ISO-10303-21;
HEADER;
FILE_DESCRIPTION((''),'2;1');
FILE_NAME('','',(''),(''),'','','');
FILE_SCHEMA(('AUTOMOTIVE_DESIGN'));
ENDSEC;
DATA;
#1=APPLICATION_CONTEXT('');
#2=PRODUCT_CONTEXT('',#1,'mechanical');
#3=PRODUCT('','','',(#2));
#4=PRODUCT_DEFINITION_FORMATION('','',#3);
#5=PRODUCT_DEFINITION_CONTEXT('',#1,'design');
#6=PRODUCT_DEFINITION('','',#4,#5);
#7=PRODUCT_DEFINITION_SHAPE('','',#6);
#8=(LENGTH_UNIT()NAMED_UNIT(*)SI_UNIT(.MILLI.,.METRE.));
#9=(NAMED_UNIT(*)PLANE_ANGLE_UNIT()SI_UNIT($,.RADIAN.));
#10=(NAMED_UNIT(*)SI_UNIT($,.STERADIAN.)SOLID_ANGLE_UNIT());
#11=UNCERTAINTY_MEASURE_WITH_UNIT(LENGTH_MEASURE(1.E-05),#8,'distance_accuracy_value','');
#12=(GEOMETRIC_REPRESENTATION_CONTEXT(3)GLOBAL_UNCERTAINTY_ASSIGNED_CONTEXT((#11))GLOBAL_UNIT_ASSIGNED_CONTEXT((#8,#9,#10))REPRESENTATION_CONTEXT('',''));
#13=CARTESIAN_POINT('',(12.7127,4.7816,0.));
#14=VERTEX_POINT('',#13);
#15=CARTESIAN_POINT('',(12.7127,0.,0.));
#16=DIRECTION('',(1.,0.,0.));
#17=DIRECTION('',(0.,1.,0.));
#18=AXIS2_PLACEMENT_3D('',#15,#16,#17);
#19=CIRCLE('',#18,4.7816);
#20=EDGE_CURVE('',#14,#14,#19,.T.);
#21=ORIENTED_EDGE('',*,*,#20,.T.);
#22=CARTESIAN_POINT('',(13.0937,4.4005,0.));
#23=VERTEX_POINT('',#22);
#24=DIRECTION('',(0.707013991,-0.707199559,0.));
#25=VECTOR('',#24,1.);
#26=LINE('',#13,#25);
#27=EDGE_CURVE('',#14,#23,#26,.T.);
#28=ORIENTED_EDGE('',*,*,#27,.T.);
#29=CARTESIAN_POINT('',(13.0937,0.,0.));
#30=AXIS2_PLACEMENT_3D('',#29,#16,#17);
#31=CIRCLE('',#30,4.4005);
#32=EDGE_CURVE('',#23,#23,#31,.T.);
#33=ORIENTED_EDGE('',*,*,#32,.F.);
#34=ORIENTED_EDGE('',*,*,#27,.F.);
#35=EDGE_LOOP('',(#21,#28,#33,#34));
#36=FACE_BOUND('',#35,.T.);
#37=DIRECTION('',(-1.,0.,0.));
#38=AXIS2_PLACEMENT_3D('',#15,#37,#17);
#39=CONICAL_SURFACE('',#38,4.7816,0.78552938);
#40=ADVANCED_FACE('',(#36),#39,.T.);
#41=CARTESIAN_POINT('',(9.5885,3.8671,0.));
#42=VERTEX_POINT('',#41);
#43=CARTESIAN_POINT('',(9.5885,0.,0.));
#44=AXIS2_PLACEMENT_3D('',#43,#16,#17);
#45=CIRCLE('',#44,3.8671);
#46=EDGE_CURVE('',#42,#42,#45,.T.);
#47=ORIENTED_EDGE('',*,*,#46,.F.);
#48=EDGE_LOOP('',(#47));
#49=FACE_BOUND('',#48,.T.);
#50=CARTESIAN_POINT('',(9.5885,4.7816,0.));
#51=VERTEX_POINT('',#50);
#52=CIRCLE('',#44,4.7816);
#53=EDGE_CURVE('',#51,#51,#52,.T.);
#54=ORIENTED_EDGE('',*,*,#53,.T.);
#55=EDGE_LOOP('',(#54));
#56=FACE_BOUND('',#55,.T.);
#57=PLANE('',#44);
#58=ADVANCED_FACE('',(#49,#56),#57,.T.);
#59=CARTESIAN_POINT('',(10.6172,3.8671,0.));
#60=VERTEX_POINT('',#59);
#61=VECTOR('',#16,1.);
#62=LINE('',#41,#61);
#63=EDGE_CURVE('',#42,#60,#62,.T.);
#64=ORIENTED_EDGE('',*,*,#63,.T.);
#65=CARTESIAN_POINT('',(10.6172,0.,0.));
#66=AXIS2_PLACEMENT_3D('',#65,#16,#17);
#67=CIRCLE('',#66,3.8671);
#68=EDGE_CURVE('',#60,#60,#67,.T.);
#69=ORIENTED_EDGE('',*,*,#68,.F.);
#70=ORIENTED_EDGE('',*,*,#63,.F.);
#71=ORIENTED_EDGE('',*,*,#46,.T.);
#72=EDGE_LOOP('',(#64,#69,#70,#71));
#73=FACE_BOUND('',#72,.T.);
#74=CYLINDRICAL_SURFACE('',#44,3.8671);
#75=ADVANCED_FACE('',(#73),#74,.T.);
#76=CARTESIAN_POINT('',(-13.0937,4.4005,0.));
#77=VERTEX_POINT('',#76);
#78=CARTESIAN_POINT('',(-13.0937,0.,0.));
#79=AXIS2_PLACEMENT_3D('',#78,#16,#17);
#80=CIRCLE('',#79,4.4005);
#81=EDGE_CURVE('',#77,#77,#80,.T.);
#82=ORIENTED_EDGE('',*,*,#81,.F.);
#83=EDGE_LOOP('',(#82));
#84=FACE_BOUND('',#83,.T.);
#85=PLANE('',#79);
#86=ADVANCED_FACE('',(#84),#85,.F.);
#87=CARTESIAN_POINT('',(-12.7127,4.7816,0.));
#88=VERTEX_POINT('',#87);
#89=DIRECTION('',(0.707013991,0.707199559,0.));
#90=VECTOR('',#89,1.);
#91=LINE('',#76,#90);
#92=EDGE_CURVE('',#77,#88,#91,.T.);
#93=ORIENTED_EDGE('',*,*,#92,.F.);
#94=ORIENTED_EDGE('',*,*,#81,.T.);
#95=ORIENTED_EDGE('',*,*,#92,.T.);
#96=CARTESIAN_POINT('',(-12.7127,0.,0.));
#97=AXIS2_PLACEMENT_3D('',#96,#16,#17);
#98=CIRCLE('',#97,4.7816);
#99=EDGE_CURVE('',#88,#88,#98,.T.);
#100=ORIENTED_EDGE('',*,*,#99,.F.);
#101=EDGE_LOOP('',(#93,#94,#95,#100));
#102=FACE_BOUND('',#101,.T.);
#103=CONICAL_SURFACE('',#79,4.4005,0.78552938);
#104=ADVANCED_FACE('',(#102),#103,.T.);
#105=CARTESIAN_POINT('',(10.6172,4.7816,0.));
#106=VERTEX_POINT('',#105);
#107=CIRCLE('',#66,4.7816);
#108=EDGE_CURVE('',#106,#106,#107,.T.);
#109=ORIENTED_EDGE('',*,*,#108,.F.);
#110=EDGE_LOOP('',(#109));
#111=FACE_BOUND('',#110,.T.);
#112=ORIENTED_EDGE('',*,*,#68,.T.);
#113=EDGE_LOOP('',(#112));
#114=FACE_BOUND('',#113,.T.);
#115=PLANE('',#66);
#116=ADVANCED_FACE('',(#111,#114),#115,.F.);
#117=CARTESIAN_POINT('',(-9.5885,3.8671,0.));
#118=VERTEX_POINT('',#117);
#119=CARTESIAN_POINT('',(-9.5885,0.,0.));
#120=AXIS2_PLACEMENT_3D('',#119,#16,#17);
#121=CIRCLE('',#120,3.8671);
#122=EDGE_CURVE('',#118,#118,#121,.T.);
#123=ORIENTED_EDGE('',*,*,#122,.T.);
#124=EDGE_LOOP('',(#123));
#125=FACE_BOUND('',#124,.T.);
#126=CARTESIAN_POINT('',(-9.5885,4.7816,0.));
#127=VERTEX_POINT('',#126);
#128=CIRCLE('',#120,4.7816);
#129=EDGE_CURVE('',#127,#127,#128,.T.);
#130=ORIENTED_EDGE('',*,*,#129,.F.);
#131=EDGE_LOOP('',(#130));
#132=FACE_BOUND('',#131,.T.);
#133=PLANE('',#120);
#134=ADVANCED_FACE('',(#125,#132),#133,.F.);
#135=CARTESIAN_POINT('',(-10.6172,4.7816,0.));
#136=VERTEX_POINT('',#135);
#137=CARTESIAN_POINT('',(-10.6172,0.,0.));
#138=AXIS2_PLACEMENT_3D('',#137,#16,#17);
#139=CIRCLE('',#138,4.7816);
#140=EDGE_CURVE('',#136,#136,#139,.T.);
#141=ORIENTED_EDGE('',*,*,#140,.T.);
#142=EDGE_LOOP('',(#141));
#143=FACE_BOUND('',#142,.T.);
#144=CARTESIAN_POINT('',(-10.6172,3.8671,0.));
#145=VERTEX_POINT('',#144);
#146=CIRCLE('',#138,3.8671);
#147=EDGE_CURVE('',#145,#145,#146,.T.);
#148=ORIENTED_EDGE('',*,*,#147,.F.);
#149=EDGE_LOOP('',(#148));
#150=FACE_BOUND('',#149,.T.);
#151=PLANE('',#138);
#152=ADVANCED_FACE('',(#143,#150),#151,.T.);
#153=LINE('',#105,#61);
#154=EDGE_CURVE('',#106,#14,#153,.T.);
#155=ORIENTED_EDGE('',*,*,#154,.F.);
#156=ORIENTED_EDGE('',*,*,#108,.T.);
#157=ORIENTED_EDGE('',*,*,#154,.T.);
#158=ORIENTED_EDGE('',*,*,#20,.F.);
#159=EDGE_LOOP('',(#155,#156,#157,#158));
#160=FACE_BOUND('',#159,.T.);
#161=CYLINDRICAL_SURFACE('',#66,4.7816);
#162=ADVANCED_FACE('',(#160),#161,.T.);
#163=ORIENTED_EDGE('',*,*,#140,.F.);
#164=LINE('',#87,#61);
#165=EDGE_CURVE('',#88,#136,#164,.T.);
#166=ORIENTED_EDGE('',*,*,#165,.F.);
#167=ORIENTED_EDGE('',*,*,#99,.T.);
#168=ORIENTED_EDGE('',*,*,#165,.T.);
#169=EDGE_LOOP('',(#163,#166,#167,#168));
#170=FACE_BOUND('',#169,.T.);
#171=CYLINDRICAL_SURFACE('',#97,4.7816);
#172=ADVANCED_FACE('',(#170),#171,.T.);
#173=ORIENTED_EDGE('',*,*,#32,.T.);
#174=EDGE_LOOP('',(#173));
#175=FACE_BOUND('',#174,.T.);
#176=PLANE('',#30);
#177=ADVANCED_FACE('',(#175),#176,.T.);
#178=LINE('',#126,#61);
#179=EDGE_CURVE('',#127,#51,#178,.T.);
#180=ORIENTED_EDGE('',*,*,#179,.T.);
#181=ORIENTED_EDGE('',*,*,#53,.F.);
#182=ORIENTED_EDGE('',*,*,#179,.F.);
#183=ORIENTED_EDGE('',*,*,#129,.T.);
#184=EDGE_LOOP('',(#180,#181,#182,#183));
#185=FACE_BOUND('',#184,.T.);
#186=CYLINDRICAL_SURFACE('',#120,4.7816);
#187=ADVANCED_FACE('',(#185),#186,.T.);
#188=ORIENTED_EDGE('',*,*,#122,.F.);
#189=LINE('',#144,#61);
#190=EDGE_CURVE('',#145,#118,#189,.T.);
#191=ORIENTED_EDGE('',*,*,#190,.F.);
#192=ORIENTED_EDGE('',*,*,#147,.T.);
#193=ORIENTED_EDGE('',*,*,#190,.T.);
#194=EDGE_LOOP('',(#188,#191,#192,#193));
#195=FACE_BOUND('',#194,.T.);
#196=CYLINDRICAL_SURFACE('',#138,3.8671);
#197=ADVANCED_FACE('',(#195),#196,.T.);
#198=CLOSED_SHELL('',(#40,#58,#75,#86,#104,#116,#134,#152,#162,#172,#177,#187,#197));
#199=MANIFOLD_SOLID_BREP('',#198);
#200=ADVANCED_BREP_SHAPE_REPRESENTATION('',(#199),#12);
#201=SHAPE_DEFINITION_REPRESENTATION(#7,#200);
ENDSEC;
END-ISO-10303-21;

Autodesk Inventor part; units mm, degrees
sketch "Sketch_1" plane through (0, 0, 0) normal (0, 0, 1) x (1, 0, 0)
  line L0 (13.0937, 0) -> (-13.0937, 0)
  line L1 (-13.0937, 0) -> (-13.0937, 4.4005)
  line L2 (-13.0937, 4.4005) -> (-12.7127, 4.7816)
  line L3 (-12.7127, 4.7816) -> (-10.6172, 4.7816)
  line L4 (-10.6172, 4.7816) -> (-10.6172, 3.8671)
  line L5 (-10.6172, 3.8671) -> (-9.5885, 3.8671)
  line L6 (-9.5885, 3.8671) -> (-9.5885, 4.7816)
  line L7 (-9.5885, 4.7816) -> (9.5885, 4.7816)
  line L8 (9.5885, 4.7816) -> (9.5885, 3.8671)
  line L9 (9.5885, 3.8671) -> (10.6172, 3.8671)
  line L10 (10.6172, 3.8671) -> (10.6172, 4.7816)
  line L11 (10.6172, 4.7816) -> (12.7127, 4.7816)
  line L12 (12.7127, 4.7816) -> (13.0937, 4.4005)
  line L13 (13.0937, 4.4005) -> (13.0937, 0)
  line L14 (13.0937, 0) -> (-13.0937, 0)
revolve "Revolution1" add sketch "Sketch_1" angle 360 about axis through (13.0937, 0, 0) along (1, 0, 0)
ref_plane "p1_XY" through (0, 0, 4.7816) normal (1, 0, 0) x (0, 0, -1)
ref_plane "p1_YZ" through (0, 0, 4.7816) normal (0, 0, -1) x (0, 1, 0)
ref_plane "p1_ZX" through (0, 0, 4.7816) normal (0, 1, 0) x (1, 0, 0)
ref_plane "p2_XY" through (0, 0, -4.7816) normal (1, 0, 0) x (0, 0, -1)
ref_plane "p2_YZ" through (0, 0, -4.7816) normal (0, 0, -1) x (0, 1, 0)
ref_plane "p2_ZX" through (0, 0, -4.7816) normal (0, 1, 0) x (1, 0, 0)
ref_plane "pin_XY" through (0, 0, 0) normal (1, 0, 0) x (0, 0, -1)
ref_plane "pin_YZ" through (0, 0, 0) normal (0, 0, -1) x (0, 1, 0)
ref_plane "pin_ZX" through (0, 0, 0) normal (0, 1, 0) x (1, 0, 0)
ref_plane "rr1_XY" through (10.1029, 0, 0) normal (1, 0, 0) x (0, 0, -1)
ref_plane "rr1_YZ" through (10.1029, 0, 0) normal (0, 0, -1) x (0, 1, 0)
ref_plane "rr1_ZX" through (10.1029, 0, 0) normal (0, 1, 0) x (1, 0, 0)
ref_plane "rr2_XY" through (-10.1029, 0, 0) normal (1, 0, 0) x (0, 0, -1)
ref_plane "rr2_YZ" through (-10.1029, 0, 0) normal (0, 0, -1) x (0, 1, 0)
ref_plane "rr2_ZX" through (-10.1029, 0, 0) normal (0, 1, 0) x (1, 0, 0)
ref_plane "w21_XY" through (13.0937, 0, 0) normal (0, 1, 0) x (1, 0, 0)
ref_plane "w21_YZ" through (13.0937, 0, 0) normal (1, 0, 0) x (0, 0, -1)
ref_plane "w21_ZX" through (13.0937, 0, 0) normal (0, 0, -1) x (0, 1, 0)
ref_plane "w22_XY" through (-13.0937, 0, 0) normal (0, 1, 0) x (1, 0, 0)
ref_plane "w22_YZ" through (-13.0937, 0, 0) normal (1, 0, 0) x (0, 0, -1)
ref_plane "w22_ZX" through (-13.0937, 0, 0) normal (0, 0, -1) x (0, 1, 0)
properties part number "D-8383" material "Steel"
